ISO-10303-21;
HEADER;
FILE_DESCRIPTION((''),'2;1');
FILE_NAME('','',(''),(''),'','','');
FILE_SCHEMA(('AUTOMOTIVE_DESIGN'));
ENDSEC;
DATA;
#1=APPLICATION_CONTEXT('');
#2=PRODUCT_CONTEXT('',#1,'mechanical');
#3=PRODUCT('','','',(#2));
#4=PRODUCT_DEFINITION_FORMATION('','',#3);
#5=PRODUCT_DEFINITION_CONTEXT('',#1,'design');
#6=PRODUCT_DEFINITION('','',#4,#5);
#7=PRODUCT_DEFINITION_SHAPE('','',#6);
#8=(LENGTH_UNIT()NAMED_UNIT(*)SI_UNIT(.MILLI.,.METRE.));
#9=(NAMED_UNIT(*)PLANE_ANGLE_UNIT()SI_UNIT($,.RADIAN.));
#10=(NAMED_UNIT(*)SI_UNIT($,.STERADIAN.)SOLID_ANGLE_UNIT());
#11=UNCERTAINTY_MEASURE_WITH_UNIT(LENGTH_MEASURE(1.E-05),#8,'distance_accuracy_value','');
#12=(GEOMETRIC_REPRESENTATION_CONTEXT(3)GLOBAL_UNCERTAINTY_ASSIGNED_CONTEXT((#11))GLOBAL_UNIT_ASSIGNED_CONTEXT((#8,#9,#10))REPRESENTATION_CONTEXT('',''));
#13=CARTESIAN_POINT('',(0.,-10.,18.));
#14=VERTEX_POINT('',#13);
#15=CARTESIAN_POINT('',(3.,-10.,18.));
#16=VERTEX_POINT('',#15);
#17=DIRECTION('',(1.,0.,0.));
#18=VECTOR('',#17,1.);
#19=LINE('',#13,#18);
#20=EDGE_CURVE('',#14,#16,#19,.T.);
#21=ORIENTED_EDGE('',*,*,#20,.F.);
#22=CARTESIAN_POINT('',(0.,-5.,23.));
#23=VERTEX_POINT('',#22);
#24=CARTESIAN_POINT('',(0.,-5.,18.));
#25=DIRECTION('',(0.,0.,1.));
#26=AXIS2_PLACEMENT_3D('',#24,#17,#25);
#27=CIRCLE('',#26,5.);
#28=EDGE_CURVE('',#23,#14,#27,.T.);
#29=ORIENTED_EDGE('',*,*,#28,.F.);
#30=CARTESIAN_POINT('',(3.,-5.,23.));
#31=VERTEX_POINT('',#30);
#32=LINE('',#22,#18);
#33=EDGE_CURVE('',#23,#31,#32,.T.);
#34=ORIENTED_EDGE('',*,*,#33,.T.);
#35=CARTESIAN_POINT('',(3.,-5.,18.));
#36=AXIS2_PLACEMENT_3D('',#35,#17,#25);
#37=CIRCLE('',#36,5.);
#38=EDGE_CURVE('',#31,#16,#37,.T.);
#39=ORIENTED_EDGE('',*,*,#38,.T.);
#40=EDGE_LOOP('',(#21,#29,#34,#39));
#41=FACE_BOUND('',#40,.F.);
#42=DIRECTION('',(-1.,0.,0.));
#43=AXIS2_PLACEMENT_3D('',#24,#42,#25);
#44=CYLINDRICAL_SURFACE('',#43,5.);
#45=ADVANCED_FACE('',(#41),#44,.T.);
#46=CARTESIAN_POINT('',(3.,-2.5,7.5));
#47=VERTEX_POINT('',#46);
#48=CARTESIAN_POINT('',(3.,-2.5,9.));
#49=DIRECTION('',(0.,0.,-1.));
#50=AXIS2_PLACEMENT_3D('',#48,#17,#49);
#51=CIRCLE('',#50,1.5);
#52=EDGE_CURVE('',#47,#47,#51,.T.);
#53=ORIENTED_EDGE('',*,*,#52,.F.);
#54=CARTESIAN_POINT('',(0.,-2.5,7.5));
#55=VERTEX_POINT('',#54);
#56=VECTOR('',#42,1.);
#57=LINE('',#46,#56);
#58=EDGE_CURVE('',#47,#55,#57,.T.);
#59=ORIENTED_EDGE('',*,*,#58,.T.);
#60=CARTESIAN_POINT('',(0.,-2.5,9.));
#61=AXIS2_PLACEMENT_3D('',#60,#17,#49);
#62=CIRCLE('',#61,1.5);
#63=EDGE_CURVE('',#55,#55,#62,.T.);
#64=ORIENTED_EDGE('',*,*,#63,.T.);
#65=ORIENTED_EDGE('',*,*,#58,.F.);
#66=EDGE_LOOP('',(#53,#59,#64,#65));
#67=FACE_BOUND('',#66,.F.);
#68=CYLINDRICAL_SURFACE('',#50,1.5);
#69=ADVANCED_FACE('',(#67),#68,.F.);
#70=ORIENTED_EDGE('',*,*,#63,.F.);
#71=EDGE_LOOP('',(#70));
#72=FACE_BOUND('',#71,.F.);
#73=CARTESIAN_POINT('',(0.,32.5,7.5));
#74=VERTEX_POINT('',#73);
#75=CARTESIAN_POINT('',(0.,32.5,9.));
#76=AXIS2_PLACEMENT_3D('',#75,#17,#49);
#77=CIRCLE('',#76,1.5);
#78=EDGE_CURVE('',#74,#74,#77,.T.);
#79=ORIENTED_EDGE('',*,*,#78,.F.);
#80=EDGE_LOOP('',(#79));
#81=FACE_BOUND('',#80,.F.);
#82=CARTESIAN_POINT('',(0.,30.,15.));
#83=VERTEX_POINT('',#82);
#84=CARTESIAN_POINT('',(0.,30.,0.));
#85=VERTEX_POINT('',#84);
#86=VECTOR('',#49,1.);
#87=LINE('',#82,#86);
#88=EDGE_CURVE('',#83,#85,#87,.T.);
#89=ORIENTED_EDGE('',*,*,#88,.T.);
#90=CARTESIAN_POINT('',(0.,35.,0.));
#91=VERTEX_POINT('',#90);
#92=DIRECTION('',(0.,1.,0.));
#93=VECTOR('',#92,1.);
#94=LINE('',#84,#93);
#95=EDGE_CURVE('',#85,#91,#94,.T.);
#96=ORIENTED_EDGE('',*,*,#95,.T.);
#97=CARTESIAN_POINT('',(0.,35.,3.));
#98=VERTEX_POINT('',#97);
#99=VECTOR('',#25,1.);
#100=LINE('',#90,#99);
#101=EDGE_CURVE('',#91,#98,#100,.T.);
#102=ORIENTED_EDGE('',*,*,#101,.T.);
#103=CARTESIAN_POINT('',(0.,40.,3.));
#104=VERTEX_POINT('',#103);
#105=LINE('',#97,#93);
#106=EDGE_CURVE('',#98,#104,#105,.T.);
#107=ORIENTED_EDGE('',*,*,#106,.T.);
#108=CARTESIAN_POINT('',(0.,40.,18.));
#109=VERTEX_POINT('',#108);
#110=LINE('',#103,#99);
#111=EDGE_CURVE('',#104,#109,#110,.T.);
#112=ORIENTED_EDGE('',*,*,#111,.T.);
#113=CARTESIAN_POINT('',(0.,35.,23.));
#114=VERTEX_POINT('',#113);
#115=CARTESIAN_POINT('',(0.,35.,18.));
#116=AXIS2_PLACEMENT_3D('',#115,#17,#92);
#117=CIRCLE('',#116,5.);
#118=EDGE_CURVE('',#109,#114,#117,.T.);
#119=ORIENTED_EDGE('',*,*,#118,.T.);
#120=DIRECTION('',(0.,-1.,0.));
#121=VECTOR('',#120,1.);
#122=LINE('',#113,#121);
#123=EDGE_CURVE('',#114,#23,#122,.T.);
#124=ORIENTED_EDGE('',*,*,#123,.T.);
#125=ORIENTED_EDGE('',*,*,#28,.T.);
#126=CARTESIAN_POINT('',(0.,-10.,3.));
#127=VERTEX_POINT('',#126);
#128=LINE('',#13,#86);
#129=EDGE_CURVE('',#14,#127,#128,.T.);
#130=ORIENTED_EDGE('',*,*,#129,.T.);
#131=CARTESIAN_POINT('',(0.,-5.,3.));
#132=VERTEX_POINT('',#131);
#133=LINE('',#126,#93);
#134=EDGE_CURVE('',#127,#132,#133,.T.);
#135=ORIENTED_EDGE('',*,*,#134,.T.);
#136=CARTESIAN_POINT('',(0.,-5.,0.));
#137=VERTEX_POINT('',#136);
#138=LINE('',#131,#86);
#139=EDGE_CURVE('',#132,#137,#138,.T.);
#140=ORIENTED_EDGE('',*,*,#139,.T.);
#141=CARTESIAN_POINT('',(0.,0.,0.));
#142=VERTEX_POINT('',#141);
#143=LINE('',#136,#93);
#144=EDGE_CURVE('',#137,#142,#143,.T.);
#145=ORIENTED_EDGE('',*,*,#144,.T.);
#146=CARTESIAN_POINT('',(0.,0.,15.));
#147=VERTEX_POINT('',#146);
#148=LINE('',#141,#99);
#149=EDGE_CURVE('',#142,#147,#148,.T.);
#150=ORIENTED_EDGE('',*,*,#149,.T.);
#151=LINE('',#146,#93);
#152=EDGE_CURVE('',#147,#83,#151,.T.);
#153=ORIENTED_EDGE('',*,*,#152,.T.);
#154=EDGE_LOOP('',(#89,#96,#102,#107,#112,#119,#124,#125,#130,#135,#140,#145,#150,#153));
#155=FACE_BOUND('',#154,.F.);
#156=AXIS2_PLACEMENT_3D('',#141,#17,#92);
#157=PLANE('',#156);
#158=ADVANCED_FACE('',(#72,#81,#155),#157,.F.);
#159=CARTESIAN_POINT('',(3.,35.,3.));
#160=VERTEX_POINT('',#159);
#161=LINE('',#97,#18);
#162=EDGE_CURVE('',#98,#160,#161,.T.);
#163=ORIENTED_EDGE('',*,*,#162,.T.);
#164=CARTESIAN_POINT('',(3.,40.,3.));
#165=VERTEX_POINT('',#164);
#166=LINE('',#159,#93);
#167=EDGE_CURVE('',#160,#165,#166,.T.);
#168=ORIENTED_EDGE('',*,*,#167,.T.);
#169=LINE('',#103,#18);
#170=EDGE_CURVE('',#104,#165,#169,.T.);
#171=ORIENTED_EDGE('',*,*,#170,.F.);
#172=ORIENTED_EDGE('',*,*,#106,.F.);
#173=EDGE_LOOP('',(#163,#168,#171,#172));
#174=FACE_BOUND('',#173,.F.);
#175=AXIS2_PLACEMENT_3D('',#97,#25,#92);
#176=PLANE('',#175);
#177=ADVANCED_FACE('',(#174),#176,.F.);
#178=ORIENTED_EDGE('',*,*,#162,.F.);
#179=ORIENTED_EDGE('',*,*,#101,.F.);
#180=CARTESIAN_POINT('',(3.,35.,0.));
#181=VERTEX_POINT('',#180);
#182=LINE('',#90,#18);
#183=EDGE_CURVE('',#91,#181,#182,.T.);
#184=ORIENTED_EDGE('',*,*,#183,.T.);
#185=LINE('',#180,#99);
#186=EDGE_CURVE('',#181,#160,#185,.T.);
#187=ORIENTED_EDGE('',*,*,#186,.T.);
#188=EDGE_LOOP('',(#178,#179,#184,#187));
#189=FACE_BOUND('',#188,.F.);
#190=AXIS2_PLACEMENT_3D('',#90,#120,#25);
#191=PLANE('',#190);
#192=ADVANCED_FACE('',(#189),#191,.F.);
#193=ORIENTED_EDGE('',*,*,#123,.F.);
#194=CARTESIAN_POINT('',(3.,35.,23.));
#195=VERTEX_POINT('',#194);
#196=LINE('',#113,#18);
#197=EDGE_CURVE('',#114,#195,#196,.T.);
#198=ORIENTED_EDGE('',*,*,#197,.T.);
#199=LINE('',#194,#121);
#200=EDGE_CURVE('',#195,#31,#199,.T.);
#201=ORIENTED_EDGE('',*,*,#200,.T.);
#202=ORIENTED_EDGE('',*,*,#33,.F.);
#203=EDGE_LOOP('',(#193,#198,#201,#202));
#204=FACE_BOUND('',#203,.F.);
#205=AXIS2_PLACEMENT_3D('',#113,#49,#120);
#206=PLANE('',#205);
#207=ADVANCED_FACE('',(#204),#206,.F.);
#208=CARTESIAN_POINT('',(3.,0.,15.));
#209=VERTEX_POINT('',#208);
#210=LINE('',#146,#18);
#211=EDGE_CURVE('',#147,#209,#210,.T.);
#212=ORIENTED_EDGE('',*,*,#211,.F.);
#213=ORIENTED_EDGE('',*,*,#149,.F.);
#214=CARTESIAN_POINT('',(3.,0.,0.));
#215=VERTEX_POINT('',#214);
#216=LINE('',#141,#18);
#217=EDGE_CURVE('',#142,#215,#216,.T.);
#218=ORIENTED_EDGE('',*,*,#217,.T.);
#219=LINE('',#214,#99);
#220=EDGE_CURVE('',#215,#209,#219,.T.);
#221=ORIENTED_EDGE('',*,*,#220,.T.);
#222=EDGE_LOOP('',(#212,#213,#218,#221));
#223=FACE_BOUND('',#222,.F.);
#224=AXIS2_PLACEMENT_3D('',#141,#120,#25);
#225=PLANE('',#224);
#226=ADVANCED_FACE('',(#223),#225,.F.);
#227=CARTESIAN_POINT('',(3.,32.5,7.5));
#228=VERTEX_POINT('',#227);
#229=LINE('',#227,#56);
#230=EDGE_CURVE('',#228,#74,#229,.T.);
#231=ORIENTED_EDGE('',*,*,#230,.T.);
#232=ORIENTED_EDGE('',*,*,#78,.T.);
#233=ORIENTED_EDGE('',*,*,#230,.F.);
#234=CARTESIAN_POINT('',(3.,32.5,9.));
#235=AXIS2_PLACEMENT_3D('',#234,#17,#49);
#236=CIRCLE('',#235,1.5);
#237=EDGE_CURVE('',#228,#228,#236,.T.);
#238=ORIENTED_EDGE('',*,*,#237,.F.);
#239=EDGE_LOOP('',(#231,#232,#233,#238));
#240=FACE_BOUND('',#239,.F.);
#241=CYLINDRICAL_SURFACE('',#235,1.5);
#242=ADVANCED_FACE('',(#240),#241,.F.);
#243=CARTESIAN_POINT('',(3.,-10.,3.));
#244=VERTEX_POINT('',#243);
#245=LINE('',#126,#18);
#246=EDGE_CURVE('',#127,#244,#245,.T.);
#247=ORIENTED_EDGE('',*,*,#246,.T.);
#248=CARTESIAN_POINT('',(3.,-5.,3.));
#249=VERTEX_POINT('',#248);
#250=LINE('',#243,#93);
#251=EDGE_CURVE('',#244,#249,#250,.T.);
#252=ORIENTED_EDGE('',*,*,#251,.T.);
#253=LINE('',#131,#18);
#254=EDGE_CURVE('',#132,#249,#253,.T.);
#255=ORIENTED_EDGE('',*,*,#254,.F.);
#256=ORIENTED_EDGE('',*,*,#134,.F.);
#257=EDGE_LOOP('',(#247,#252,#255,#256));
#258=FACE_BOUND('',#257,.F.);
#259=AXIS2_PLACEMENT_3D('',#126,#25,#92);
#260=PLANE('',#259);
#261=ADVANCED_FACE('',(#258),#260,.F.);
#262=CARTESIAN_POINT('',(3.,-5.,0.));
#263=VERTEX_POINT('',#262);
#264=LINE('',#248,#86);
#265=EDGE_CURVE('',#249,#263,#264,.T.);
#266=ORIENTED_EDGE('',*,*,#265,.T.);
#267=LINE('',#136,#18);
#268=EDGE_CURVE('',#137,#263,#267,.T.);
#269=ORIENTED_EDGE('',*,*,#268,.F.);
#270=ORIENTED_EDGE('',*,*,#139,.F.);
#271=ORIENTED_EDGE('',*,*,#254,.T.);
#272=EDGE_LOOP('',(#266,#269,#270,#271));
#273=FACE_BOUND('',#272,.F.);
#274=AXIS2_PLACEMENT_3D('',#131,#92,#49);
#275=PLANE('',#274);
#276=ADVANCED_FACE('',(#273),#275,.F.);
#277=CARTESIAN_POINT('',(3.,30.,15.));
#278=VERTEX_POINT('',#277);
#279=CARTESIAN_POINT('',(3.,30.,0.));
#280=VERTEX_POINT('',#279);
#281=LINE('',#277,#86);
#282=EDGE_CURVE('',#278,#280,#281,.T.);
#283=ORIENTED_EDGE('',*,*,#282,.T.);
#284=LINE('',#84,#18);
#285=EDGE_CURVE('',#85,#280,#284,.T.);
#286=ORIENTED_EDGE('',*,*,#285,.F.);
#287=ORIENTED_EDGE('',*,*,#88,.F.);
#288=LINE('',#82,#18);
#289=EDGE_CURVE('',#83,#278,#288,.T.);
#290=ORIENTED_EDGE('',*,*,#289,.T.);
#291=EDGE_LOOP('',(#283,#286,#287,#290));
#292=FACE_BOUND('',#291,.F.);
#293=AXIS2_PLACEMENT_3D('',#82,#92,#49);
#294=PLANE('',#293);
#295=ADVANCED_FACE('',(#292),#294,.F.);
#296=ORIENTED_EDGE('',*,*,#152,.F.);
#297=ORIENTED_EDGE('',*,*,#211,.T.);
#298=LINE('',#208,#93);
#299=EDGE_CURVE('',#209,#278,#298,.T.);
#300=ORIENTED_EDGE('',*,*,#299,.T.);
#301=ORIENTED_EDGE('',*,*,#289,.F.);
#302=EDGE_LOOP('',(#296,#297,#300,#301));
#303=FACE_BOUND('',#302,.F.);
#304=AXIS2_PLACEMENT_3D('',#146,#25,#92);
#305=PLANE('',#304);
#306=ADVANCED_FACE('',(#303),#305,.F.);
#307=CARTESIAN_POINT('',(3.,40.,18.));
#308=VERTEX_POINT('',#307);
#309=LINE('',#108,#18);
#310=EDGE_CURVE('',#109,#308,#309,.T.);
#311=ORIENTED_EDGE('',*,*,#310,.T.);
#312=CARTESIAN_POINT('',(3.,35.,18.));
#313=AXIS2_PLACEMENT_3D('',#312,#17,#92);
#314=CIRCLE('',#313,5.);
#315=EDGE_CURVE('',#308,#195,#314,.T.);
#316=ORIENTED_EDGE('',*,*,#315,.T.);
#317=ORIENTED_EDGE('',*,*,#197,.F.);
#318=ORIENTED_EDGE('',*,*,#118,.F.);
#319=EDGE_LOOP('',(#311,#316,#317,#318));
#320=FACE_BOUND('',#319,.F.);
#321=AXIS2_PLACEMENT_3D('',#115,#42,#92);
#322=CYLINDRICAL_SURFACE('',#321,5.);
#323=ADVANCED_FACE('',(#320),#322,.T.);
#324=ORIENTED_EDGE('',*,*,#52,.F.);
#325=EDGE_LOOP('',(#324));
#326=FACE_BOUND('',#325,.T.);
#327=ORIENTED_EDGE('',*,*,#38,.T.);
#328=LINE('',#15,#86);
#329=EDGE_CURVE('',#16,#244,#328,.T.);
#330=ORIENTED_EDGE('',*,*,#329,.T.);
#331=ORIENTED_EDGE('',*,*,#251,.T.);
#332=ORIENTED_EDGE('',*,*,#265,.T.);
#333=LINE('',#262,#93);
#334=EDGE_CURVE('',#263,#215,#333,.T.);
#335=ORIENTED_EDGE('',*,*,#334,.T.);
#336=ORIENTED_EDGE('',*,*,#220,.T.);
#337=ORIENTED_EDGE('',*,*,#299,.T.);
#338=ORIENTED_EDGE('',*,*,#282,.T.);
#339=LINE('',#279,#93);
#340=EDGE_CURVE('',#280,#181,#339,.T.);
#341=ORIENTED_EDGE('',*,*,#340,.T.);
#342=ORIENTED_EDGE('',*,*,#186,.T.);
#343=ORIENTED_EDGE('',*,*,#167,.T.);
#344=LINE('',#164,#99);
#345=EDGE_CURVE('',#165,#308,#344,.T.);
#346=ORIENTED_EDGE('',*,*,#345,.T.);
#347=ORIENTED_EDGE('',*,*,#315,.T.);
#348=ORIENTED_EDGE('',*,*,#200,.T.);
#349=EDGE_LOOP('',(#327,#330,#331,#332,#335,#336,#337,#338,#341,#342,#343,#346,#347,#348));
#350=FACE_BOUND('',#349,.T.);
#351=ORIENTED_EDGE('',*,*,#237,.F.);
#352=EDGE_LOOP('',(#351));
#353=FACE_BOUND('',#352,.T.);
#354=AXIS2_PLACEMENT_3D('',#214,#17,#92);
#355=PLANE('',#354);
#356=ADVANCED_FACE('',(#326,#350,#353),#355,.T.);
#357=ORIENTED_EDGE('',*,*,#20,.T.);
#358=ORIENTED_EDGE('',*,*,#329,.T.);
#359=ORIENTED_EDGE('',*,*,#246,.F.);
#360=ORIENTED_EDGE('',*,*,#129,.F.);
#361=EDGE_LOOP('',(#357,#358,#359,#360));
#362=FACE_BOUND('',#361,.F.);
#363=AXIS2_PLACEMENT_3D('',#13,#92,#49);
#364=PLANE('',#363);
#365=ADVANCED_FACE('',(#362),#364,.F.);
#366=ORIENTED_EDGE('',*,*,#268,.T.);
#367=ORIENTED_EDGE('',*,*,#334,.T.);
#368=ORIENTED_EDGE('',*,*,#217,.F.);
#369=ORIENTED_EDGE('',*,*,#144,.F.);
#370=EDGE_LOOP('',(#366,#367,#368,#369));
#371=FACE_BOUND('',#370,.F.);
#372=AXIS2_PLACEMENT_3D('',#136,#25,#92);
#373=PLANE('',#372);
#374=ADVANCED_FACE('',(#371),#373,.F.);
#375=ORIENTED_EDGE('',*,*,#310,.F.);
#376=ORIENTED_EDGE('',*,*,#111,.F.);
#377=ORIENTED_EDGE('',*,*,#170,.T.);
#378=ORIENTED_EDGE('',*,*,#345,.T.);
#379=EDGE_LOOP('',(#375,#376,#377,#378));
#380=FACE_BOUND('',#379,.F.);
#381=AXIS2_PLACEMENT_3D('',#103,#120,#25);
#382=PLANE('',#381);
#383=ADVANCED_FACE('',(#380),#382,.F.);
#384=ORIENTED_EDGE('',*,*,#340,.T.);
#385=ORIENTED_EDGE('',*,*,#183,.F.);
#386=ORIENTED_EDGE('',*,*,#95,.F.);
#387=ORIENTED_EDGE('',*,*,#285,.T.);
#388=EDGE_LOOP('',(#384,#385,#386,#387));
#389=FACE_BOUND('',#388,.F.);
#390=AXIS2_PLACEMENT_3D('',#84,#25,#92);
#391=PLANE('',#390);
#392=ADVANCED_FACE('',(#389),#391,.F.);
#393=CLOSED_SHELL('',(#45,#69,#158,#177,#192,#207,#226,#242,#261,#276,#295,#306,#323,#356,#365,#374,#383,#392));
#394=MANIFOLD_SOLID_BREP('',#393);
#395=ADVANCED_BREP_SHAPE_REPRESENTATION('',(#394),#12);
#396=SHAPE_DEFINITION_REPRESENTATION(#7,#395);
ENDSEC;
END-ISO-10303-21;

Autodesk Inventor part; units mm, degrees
ref_plane "YZ Plane" through (0, 0, 0) normal (1, 0, 0) x (0, 1, 0)
ref_plane "XZ Plane" through (0, 0, 0) normal (0, 1, 0) x (-1, 0, 0)
ref_plane "XY Plane" through (0, 0, 0) normal (0, 0, 1) x (1, 0, 0)
sketch "Sketch1" plane through (0, 0, 0) normal (1, 0, 0) x (0, 1, 0)
  line L0 (30, 0) -> (35, 0)
  line L1 (35, 0) -> (35, 3)
  line L2 (35, 3) -> (40, 3)
  line L3 (40, 3) -> (40, 18)
  line L4 (35, 23) -> (-5, 23)
  line L5 (-10, 18) -> (-10, 3)
  line L6 (-10, 3) -> (-5, 3)
  line L7 (-5, 3) -> (-5, 0)
  line L8 (-5, 0) -> (0, 0)
  line L9 (0, 0) -> (0, 15)
  line L10 (0, 15) -> (30, 15)
  line L11 (30, 15) -> (30, 0)
  arc A0 (-5, 23) -> (-10, 18) centre (-5, 18) ccw
  arc A1 (40, 18) -> (35, 23) centre (35, 18) ccw
  point P0 (-10, 23)
  dimension "d0" = 5
  dimension "d1" = 3
  dimension "d2" = 5
  dimension "d3" = 20
  dimension "d4" = 30
  dimension "d5" = 12
  dimension "d6" = 5
  dimension "d7" = 3
  dimension "d8" = 5
  dimension "d9" = 5
extrude "Extrusion1" add sketch "Sketch1" along normal blind 3
sketch "Sketch3" plane through (3, 0, 0) normal (1, 0, 0) x (0, 0, -1)
  line L0 (0, 0) -> (-15, 0) projected
  line L1 (-15, 0) -> (-15, 30) projected
  line L2 (-15, 30) -> (0, 30) projected
  circle A0 centre (-9, 32.5) radius 1.5
  circle A1 centre (-9, -2.5) radius 1.5
  dimension "d12" = 3
  dimension "d14" = 3
  dimension "d15" = 6
  dimension "d16" = 6
  dimension "d17" = 2.5
  dimension "d18" = 2.5
extrude "Extrusion2" cut sketch "Sketch3" against normal blind 3
properties part number "Servo Mount 080113"
